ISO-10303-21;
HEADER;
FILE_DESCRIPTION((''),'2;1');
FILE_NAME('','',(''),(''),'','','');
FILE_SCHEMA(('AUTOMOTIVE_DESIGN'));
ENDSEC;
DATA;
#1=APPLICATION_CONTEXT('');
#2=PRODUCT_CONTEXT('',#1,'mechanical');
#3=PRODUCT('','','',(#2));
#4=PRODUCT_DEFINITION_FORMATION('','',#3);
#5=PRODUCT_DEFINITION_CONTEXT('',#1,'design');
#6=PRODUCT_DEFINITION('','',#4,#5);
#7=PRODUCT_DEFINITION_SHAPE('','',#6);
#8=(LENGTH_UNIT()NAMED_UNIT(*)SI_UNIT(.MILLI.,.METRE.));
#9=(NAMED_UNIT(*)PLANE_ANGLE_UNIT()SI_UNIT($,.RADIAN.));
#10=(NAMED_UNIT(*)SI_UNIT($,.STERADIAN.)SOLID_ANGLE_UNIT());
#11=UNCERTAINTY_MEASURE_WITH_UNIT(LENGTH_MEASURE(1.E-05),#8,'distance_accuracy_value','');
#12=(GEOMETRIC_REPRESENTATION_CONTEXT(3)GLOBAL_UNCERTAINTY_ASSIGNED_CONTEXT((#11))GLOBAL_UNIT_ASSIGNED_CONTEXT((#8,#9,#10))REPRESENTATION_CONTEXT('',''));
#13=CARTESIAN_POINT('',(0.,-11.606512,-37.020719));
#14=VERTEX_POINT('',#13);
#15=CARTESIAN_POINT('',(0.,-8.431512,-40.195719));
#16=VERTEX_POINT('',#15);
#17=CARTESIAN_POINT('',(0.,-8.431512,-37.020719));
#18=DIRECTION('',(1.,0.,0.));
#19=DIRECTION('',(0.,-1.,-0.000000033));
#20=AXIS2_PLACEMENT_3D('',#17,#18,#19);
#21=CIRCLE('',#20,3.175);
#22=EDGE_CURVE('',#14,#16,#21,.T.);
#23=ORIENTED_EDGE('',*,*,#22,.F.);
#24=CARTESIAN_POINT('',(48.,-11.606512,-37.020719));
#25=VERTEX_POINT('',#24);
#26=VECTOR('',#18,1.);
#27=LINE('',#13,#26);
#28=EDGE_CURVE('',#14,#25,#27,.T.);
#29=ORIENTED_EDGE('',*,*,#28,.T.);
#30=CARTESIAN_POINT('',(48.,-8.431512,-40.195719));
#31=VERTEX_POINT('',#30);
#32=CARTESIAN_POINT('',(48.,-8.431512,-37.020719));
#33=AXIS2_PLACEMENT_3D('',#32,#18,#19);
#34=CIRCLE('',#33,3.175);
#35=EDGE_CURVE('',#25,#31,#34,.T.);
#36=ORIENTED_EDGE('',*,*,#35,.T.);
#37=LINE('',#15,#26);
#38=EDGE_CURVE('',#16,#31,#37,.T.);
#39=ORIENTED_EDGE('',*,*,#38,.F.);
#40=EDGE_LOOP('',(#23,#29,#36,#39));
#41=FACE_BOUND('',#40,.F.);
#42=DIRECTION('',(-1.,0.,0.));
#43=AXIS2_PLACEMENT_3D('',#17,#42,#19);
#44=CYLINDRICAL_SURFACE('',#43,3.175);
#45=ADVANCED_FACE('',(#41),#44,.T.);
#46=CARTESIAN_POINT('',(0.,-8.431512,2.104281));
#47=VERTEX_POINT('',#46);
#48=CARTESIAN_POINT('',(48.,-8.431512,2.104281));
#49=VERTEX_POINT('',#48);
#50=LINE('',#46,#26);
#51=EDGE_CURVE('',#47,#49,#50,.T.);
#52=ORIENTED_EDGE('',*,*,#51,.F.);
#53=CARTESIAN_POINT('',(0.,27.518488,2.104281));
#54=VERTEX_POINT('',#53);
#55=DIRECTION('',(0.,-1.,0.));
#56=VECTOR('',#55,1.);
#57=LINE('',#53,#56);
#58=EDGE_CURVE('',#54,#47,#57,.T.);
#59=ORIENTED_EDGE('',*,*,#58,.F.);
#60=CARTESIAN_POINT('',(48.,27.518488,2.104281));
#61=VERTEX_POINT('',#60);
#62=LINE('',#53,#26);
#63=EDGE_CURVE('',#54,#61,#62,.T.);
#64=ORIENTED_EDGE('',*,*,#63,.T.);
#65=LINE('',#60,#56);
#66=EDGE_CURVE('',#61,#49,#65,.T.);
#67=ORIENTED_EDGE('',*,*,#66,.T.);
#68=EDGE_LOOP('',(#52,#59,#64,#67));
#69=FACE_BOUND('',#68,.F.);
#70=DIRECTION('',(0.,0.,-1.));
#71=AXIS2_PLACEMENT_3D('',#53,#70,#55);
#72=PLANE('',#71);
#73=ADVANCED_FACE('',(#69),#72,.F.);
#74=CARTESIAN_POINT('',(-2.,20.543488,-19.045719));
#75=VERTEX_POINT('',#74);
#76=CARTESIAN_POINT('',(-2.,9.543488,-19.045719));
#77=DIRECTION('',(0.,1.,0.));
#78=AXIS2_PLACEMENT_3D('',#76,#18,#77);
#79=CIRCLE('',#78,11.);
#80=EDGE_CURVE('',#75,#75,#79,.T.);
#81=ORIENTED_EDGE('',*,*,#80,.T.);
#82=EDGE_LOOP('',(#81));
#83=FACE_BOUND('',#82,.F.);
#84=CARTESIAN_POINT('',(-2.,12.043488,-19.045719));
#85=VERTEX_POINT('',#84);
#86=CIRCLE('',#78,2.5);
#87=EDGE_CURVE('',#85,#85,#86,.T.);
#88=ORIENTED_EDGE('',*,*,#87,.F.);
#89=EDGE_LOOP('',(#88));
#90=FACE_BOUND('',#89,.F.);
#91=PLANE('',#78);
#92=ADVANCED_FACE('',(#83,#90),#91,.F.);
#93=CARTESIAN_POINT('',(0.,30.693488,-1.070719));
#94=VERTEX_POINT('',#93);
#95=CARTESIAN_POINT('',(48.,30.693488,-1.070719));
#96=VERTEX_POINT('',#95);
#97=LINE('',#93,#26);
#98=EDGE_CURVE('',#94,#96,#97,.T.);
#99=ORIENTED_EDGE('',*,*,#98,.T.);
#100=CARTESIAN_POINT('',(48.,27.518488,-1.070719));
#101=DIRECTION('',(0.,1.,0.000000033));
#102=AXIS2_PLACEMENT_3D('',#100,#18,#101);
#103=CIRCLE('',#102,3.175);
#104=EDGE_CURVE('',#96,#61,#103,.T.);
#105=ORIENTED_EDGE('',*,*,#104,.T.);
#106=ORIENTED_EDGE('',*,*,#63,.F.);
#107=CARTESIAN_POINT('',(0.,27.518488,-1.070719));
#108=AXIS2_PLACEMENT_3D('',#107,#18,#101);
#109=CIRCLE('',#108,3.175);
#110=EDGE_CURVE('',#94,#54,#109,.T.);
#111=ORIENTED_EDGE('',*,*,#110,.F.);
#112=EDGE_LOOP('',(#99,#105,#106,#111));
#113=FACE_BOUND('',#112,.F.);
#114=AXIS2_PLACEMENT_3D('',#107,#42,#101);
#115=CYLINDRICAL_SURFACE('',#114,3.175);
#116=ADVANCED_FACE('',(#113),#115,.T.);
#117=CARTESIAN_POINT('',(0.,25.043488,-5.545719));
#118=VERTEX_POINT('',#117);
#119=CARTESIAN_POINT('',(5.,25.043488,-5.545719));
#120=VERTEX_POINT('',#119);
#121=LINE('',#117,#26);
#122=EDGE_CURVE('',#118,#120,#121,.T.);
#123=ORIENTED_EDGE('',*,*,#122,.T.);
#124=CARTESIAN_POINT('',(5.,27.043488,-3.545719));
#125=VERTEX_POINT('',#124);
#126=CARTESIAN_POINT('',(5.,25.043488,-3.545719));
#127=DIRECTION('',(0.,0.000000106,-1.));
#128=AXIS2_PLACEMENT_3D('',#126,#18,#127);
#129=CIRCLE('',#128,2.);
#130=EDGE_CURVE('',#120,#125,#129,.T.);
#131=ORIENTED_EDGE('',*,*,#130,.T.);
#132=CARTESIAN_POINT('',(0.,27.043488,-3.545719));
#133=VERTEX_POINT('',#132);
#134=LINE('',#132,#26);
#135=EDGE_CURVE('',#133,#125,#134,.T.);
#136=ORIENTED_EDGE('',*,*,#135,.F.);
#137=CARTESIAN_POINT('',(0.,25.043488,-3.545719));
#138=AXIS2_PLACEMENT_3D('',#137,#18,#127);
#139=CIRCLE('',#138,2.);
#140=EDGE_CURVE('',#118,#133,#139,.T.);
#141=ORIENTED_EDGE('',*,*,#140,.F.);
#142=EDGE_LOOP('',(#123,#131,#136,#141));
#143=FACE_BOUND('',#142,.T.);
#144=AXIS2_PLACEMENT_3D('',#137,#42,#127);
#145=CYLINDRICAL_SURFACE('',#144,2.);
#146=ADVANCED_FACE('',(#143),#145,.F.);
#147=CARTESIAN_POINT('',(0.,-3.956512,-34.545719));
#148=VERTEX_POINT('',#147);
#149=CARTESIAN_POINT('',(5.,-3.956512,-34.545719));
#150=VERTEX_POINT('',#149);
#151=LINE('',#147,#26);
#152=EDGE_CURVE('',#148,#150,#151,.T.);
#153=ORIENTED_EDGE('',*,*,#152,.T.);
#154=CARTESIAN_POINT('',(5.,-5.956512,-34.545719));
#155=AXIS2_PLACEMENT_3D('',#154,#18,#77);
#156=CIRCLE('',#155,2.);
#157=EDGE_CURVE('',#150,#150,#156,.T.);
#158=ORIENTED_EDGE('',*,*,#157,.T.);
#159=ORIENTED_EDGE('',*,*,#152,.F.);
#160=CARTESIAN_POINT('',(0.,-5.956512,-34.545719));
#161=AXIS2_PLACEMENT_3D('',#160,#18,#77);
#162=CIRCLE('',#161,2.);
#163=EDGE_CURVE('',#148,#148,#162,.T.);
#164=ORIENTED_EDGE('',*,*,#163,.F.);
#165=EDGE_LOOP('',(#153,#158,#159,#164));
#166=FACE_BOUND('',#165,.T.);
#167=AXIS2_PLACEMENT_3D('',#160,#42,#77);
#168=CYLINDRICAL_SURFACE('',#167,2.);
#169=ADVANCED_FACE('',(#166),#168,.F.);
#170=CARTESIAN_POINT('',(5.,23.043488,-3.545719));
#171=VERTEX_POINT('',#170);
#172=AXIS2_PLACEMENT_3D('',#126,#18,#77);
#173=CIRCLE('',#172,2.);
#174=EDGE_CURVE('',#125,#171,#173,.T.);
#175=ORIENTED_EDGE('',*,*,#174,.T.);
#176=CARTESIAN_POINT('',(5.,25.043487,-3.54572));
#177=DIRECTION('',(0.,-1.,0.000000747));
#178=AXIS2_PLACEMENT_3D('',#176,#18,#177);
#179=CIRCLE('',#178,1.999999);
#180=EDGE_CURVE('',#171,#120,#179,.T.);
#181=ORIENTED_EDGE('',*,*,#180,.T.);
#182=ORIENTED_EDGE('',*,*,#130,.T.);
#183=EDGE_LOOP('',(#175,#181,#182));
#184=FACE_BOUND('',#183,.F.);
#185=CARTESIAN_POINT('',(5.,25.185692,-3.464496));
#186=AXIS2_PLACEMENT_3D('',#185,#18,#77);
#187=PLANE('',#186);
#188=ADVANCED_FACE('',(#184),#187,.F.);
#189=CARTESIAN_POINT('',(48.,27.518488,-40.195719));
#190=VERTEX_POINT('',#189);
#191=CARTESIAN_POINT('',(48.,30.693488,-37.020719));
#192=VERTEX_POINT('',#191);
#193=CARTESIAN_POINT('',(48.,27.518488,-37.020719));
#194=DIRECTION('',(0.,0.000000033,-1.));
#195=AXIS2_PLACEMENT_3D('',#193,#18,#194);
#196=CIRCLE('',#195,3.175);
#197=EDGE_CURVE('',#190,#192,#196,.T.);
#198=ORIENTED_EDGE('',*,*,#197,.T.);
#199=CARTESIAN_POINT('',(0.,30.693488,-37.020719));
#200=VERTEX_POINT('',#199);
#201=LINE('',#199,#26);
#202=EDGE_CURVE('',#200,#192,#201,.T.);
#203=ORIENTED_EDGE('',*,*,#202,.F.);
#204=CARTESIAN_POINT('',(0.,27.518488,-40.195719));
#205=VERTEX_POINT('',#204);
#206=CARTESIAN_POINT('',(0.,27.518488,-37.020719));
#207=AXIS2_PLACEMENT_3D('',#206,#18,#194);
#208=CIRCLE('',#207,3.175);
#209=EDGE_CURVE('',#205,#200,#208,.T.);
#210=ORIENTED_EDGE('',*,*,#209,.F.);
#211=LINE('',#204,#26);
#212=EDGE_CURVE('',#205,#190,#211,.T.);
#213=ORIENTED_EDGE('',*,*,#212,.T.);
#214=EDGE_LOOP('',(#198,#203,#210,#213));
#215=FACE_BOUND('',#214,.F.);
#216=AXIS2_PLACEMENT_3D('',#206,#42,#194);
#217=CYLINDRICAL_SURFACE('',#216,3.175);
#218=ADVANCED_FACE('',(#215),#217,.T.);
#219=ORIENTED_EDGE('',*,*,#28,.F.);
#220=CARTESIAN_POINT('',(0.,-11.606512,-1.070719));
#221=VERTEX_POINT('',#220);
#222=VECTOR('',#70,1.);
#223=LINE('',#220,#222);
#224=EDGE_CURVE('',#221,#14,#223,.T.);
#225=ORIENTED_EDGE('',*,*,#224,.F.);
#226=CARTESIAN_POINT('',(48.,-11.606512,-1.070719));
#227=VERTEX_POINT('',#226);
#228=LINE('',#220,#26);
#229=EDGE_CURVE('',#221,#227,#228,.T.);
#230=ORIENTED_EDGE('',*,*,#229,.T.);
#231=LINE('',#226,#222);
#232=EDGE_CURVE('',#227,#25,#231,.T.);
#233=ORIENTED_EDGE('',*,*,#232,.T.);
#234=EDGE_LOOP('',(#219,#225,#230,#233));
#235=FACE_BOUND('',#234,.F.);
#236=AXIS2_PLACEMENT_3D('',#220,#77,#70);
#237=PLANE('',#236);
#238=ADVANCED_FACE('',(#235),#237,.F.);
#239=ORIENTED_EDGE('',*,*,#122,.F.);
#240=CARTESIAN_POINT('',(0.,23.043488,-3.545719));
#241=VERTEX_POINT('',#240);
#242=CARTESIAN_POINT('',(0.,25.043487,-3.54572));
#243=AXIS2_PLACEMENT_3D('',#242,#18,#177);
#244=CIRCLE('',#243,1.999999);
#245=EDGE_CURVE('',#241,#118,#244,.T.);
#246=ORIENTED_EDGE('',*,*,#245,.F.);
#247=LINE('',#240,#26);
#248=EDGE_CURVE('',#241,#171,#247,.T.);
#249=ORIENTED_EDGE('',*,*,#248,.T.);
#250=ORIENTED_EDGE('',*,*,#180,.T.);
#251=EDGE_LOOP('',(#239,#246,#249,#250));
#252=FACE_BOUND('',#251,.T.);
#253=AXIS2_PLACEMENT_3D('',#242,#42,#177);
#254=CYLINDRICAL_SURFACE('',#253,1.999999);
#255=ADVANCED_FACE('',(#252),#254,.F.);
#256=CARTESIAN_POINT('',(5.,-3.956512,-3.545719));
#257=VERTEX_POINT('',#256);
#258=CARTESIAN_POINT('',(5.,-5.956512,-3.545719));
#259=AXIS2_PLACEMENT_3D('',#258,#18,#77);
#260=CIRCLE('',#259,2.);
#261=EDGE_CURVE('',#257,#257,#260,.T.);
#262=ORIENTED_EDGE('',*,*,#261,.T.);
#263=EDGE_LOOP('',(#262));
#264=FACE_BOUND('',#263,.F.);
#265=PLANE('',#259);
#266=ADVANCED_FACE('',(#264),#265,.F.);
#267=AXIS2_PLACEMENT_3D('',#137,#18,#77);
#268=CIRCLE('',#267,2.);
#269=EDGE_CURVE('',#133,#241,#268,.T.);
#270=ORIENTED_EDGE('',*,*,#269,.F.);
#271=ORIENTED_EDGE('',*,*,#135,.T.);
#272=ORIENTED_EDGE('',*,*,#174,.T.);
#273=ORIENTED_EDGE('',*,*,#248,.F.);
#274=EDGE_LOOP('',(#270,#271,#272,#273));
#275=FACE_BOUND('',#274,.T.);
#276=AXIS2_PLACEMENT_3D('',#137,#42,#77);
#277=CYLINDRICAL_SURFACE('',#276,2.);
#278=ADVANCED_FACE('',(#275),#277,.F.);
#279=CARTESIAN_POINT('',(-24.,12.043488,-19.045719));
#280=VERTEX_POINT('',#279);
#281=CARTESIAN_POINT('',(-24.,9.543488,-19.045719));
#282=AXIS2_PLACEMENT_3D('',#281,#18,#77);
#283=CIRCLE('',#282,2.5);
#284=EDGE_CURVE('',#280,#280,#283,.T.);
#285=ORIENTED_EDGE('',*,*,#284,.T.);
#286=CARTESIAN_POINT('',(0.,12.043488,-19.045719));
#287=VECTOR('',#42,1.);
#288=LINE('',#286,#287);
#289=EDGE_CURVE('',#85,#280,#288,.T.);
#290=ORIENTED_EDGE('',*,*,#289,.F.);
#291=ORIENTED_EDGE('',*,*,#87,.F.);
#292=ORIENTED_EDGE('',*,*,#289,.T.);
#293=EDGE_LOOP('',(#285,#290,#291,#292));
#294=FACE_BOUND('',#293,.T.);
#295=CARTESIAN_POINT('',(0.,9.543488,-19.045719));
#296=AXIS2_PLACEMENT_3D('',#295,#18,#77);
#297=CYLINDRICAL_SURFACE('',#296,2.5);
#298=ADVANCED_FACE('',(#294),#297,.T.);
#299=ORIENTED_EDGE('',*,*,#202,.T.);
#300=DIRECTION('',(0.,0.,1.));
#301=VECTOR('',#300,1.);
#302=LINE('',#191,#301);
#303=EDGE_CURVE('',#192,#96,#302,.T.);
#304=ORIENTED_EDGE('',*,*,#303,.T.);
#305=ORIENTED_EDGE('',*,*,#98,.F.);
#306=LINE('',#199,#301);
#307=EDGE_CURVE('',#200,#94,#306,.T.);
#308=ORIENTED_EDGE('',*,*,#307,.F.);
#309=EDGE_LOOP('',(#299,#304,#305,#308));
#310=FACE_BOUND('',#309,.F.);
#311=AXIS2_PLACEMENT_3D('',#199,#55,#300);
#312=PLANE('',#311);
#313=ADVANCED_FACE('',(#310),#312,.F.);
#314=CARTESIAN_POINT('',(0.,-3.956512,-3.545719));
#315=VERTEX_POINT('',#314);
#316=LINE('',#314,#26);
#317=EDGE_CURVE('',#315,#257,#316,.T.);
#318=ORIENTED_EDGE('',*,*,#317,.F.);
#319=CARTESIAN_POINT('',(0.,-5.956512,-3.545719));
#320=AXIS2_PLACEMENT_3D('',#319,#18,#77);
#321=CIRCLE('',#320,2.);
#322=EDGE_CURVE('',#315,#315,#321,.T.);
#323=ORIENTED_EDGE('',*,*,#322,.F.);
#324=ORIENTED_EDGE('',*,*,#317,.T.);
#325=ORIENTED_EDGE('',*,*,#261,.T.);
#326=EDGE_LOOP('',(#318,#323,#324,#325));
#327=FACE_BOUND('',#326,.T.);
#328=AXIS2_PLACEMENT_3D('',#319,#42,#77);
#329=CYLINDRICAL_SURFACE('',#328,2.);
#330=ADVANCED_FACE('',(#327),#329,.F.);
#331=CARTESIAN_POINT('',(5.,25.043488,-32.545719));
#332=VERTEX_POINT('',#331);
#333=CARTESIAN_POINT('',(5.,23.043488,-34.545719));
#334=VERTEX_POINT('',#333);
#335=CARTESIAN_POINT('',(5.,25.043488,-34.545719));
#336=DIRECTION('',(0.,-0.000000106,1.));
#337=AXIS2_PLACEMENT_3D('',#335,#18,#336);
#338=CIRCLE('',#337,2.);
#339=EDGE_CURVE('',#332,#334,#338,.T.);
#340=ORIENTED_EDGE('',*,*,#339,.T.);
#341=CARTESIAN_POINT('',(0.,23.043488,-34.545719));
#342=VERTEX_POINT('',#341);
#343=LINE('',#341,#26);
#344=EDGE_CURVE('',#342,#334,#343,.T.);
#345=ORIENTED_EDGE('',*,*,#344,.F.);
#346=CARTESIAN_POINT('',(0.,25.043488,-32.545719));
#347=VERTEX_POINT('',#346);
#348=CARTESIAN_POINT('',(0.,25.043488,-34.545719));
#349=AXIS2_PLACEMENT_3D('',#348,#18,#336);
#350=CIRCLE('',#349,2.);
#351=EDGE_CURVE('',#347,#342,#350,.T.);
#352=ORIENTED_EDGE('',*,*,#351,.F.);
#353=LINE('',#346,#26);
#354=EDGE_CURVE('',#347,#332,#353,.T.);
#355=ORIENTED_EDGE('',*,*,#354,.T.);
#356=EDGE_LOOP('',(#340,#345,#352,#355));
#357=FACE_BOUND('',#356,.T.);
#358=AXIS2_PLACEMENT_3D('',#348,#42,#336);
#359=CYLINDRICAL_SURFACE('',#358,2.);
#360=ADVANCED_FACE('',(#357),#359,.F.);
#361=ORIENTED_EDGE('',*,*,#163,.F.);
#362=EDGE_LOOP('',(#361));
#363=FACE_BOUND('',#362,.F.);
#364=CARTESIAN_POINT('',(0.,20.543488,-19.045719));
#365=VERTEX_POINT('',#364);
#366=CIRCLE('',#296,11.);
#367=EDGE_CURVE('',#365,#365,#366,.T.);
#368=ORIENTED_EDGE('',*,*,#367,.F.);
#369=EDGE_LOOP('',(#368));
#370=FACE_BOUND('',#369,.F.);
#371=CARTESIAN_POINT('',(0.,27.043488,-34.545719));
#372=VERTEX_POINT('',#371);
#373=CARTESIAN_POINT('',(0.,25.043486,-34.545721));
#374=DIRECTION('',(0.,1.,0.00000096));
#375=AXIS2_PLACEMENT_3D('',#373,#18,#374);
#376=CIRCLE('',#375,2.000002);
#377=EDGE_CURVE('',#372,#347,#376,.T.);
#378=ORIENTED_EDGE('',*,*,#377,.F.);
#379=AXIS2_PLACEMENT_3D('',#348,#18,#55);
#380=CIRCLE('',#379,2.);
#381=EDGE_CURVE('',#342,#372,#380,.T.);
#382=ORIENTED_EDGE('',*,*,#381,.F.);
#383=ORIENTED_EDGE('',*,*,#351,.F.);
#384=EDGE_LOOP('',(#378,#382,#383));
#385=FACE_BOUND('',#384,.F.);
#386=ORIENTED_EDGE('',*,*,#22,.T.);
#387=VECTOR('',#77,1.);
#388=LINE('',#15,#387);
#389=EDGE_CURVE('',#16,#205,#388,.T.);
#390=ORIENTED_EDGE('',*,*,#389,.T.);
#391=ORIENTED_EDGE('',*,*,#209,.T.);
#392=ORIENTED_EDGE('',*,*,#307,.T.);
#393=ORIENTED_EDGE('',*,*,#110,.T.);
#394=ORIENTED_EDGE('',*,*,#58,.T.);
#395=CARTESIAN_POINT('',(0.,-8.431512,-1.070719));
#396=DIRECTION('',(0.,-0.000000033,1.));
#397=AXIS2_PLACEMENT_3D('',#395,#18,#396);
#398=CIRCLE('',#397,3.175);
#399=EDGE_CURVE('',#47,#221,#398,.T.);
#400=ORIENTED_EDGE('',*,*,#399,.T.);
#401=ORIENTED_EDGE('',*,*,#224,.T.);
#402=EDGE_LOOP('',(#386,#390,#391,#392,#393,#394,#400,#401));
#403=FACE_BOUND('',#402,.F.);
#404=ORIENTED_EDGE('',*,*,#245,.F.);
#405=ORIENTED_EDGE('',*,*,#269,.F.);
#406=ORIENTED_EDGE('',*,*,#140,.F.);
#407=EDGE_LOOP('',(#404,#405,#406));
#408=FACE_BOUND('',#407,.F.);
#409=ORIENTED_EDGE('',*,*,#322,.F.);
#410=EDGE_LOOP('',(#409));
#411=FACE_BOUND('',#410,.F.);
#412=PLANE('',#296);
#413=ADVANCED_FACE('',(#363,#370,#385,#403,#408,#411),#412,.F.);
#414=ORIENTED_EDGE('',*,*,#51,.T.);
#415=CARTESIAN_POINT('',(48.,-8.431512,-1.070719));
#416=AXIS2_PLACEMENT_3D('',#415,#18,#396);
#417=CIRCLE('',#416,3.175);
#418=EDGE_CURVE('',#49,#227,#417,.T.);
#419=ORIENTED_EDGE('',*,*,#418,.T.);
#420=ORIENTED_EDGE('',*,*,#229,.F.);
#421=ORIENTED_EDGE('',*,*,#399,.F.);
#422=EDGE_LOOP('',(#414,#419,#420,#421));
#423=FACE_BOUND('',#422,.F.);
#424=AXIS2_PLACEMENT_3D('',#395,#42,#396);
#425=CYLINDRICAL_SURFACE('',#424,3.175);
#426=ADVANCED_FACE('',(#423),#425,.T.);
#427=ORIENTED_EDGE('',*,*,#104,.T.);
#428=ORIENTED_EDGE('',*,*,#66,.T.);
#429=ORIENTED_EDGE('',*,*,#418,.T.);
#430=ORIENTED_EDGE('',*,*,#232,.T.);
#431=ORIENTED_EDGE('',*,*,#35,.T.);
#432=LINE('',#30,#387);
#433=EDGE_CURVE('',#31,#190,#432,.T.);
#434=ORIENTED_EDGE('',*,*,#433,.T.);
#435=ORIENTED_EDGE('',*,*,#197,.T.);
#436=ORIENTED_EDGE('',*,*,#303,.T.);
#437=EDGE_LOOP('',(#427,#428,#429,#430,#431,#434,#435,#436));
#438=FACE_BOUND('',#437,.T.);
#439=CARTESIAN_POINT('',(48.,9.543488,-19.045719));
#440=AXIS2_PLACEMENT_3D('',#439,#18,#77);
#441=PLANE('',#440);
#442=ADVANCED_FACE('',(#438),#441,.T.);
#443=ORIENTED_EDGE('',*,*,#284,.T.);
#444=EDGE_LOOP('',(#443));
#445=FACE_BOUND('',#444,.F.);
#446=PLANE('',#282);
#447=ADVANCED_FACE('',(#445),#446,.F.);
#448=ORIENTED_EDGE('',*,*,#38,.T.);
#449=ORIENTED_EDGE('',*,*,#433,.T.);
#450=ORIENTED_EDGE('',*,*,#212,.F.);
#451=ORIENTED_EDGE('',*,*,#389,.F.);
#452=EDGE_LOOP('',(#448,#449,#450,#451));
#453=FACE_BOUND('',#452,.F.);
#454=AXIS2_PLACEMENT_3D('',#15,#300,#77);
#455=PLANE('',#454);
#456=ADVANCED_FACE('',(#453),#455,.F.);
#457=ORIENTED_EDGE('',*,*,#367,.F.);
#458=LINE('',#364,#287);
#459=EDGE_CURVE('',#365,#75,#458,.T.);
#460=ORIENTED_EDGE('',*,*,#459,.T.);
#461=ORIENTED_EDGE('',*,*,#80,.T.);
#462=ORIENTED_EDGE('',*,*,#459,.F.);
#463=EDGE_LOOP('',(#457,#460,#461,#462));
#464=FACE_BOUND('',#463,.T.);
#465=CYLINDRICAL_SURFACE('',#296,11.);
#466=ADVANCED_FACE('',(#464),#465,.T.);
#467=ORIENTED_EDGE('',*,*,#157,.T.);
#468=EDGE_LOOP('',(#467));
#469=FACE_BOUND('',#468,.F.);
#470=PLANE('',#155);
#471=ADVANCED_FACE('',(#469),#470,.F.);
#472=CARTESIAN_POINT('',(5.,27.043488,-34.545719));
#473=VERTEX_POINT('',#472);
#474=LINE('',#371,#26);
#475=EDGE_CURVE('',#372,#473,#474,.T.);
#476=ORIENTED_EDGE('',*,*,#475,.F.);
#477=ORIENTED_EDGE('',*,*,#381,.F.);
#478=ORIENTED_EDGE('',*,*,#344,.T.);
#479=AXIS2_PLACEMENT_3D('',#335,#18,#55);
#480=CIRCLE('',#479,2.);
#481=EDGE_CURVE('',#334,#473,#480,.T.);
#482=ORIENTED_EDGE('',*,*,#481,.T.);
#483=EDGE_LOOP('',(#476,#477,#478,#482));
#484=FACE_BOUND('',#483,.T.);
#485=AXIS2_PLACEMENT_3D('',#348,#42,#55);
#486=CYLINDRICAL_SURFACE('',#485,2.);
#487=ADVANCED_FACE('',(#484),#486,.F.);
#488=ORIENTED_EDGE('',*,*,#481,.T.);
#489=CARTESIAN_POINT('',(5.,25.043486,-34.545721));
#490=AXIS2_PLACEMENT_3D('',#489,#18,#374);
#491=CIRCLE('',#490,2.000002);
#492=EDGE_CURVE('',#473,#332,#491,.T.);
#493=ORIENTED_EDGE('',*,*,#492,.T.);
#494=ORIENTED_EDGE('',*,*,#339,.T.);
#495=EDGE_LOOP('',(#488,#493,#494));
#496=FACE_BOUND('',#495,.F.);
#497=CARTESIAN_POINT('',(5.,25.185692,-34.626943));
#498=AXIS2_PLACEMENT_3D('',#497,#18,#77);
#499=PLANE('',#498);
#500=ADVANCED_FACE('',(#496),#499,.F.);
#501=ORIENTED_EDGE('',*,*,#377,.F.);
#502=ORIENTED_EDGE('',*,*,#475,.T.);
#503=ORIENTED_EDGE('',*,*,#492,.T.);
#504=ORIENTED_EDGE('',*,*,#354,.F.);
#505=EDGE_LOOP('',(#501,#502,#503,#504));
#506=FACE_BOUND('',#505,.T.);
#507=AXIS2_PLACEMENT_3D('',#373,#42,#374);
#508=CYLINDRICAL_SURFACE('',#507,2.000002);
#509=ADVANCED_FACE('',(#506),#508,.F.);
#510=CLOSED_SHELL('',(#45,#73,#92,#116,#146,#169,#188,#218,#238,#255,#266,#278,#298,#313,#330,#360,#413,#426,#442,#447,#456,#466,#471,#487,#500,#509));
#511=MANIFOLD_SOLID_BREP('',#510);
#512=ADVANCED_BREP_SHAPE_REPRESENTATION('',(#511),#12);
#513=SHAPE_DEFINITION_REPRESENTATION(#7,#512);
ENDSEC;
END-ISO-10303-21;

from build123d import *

# Parameters (mm, degrees)
F0_R     = 11
F0_R_2   = 2.5
F1_DEPTH = 48
F2_DEPTH = 2
F3_DEPTH = 24
F4_R     = 2
F5_DEPTH = 5


with BuildPart() as f1:
    # F0 (on Right) → F1 (new body)
    with BuildSketch(Plane.YZ):
        with BuildLine():
            Line((27.518488, 2.104281), (-8.431512, 2.104281))
            ThreePointArc((-8.431512, 2.104281), (-10.676576, 1.174345), (-11.606512, -1.070719))
            Line((-11.606512, -1.070719), (-11.606512, -37.020719))
            ThreePointArc((-11.606512, -37.020719), (-10.676576, -39.265783), (-8.431512, -40.195719))
            Line((-8.431512, -40.195719), (27.518488, -40.195719))
            ThreePointArc((27.518488, -40.195719), (29.763552, -39.265783), (30.693488, -37.020719))
            Line((30.693488, -37.020719), (30.693488, -1.070719))
            ThreePointArc((30.693488, -1.070719), (29.763552, 1.174345), (27.518488, 2.104281))
        make_face()
        with Locations((9.543488, -19.045719)):
            Circle(F0_R, mode=Mode.SUBTRACT)
        with Locations((9.543488, -19.045719)):
            Circle(F0_R)
        with Locations((9.543488, -19.045719)):
            Circle(F0_R_2, mode=Mode.SUBTRACT)
        with Locations((9.543488, -19.045719)):
            Circle(F0_R_2)
    extrude(amount=F1_DEPTH)

    # F0 (on Right) → F2 (join)
    with BuildSketch(Plane.YZ):
        with Locations((9.543488, -19.045719)):
            Circle(F0_R)
        with Locations((9.543488, -19.045719)):
            Circle(F0_R_2, mode=Mode.SUBTRACT)
        with Locations((9.543488, -19.045719)):
            Circle(F0_R_2)
    extrude(amount=-F2_DEPTH)

    # F0 (on Right) → F3 (join)
    with BuildSketch(Plane.YZ):
        with Locations((9.543488, -19.045719)):
            Circle(F0_R_2)
    extrude(amount=-F3_DEPTH)

    # F4 (on face) → F5 (cut)
    with BuildSketch(Plane.YZ):
        with BuildLine():
            ThreePointArc((25.043488, -5.545719), (26.457701, -4.959933), (27.043488, -3.545719))
            ThreePointArc((27.043488, -3.545719), (25.043488, -1.545719), (23.043488, -3.545719))
            Line((23.043488, -3.545719), (25.043488, -3.545719))
            Line((25.043488, -3.545719), (25.043488, -5.545719))
        make_face()
        with BuildLine():
            Line((25.043488, -3.545719), (23.043488, -3.545719))
            ThreePointArc((23.043488, -3.545719), (23.629274, -4.959933), (25.043488, -5.545719))
            Line((25.043488, -5.545719), (25.043488, -3.545719))
        make_face()
        with BuildLine():
            ThreePointArc((27.043488, -34.545719), (26.457701, -33.131506), (25.043488, -32.545719))
            Line((25.043488, -32.545719), (25.043488, -34.545719))
            Line((25.043488, -34.545719), (23.043488, -34.545719))
            ThreePointArc((23.043488, -34.545719), (25.043488, -36.545719), (27.043488, -34.545719))
        make_face()
        with BuildLine():
            Line((25.043488, -34.545719), (25.043488, -32.545719))
            ThreePointArc((25.043488, -32.545719), (23.629274, -33.131506), (23.043488, -34.545719))
            Line((23.043488, -34.545719), (25.043488, -34.545719))
        make_face()
        with Locations((-5.956512, -34.545719)):
            Circle(F4_R)
        with Locations((-5.956512, -3.545719)):
            Circle(F4_R)
    extrude(amount=F5_DEPTH, mode=Mode.SUBTRACT)


solid = f1.part
